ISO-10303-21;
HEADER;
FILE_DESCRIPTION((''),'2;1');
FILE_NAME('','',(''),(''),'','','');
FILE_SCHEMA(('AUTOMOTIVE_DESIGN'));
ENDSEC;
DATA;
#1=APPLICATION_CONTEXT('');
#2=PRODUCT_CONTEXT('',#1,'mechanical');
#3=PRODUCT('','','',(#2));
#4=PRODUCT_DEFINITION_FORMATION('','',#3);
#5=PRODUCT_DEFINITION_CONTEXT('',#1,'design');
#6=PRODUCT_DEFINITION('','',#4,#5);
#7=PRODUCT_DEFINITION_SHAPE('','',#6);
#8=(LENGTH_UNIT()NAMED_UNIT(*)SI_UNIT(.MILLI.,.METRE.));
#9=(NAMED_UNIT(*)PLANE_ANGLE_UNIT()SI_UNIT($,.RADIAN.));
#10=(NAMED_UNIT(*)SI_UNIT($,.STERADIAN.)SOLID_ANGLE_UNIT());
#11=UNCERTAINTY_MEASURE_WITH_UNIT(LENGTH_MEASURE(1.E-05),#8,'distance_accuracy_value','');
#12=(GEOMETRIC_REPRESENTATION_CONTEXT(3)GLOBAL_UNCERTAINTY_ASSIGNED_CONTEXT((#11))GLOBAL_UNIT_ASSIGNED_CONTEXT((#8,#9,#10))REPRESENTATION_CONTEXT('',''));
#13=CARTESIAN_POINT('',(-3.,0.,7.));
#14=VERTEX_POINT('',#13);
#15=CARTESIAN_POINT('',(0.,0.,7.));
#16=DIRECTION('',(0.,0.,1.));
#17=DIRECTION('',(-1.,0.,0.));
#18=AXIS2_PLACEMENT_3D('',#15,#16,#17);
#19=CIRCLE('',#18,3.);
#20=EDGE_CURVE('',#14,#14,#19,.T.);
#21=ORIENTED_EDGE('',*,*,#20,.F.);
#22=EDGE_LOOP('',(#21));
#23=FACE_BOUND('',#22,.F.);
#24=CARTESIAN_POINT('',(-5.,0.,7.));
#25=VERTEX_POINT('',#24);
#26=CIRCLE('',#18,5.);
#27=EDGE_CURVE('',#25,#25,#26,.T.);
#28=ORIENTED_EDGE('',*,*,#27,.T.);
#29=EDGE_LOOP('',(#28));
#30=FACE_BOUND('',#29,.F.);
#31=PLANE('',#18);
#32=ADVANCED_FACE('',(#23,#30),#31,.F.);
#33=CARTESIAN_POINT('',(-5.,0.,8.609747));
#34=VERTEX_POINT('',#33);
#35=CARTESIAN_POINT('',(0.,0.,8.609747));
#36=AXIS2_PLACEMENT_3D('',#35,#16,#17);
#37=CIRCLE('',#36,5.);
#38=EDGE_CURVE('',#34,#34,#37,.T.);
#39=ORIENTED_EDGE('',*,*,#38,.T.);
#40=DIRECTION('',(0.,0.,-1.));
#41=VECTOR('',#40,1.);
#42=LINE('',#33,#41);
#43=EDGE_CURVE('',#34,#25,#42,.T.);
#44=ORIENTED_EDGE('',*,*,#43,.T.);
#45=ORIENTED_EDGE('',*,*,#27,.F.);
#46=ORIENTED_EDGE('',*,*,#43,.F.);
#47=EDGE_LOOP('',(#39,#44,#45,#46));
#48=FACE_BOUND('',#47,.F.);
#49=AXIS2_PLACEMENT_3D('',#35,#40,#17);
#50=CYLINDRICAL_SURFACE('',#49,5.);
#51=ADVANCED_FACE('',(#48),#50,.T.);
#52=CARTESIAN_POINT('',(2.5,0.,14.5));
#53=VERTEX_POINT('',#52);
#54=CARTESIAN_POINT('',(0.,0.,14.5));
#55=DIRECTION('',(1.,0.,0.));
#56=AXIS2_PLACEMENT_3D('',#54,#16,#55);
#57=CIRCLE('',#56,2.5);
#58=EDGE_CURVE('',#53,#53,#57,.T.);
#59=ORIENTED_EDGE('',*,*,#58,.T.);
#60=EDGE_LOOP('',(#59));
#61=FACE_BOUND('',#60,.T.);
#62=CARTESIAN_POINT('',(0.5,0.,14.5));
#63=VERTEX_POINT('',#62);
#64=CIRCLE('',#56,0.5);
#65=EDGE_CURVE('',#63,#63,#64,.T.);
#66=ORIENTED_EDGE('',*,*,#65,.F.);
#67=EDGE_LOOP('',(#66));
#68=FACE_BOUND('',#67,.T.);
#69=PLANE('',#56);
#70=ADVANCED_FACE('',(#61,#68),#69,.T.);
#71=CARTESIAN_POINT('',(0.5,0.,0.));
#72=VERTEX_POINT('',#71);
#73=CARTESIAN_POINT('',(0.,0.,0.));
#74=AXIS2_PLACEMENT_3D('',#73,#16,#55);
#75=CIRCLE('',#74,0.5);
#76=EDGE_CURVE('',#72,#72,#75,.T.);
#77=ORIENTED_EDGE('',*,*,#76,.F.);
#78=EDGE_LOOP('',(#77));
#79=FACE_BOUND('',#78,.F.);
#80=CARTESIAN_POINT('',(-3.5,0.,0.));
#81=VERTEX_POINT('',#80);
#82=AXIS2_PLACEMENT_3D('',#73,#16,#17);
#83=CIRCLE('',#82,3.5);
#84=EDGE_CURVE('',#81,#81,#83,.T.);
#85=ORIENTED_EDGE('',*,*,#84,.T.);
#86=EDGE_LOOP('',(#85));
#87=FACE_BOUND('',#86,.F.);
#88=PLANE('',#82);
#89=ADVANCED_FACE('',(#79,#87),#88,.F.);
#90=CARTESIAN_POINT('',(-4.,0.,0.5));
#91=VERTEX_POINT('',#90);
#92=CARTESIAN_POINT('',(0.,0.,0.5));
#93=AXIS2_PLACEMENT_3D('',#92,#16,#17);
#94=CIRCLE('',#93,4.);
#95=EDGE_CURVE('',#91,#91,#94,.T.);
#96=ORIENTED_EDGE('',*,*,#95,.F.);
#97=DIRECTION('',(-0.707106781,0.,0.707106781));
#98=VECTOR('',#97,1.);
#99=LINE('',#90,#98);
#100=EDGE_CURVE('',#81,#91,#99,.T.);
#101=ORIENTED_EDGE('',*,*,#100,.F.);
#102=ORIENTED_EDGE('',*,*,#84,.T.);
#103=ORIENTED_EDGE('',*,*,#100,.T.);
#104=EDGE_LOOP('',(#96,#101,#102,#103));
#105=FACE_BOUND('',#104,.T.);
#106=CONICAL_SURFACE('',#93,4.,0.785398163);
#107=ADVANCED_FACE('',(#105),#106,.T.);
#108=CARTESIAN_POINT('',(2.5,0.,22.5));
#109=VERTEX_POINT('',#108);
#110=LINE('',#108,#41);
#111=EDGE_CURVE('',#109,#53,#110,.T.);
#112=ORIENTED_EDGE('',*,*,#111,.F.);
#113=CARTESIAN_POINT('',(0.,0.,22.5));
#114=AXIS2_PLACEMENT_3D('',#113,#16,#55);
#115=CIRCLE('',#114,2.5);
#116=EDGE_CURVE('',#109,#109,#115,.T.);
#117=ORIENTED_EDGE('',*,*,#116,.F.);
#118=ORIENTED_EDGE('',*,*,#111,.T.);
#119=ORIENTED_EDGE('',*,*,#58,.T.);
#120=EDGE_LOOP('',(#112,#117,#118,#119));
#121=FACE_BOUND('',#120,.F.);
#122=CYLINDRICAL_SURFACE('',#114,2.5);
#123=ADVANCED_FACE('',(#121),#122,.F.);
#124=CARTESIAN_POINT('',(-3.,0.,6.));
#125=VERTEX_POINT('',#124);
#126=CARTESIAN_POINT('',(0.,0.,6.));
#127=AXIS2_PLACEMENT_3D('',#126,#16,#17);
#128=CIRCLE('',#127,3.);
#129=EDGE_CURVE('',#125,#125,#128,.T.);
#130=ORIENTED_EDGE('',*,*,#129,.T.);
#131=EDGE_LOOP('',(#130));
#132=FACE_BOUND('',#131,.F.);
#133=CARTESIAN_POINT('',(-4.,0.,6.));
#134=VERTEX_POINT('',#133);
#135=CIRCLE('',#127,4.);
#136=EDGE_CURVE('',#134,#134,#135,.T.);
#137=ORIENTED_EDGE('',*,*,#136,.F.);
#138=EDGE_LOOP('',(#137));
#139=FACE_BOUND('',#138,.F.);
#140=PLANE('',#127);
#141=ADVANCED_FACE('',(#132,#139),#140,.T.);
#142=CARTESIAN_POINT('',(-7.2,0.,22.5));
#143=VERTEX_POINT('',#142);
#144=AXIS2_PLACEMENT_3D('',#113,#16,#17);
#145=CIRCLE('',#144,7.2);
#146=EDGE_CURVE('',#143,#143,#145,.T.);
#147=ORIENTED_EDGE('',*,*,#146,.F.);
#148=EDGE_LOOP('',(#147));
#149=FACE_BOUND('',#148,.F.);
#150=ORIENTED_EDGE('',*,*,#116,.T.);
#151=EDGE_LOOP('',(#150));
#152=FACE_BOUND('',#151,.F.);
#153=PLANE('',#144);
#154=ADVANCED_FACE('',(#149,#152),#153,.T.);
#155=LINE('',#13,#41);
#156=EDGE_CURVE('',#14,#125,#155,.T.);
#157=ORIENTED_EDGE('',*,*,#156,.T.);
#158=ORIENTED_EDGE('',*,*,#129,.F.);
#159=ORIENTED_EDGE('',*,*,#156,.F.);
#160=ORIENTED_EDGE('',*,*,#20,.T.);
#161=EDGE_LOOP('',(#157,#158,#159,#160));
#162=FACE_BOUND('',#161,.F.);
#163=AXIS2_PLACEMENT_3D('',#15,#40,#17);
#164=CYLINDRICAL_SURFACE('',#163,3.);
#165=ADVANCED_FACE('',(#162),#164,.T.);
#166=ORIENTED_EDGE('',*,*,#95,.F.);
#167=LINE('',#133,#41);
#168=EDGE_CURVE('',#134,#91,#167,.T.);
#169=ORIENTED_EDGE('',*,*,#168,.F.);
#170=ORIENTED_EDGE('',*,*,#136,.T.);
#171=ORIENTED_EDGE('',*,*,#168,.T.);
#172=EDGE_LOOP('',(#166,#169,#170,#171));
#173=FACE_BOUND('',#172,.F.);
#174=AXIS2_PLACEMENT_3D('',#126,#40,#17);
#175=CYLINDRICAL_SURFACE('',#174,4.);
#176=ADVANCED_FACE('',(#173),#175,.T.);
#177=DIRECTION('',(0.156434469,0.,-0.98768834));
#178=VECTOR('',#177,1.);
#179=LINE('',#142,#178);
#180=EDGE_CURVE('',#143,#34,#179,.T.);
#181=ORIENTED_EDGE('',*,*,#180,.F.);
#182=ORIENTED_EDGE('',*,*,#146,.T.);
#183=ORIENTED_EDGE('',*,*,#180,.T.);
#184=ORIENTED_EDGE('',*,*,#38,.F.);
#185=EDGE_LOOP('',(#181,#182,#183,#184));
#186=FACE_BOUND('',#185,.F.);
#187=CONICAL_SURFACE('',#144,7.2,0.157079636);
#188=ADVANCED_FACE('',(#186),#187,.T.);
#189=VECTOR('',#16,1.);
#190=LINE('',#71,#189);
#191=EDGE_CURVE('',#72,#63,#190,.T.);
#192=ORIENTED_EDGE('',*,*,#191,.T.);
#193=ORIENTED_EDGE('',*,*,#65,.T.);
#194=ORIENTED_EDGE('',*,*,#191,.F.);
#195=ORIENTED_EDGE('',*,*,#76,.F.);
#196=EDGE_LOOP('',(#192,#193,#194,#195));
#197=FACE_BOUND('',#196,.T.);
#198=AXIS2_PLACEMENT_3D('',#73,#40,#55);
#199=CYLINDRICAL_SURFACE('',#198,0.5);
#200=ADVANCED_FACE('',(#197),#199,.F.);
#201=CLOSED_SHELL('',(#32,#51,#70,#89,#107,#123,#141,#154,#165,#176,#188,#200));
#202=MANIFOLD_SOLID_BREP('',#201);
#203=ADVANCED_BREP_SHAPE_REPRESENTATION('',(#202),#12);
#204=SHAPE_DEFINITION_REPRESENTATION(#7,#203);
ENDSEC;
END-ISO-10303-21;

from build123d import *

# Parameters (mm, degrees)
F2_R     = 0.5
F3_DEPTH = 25
F4_R     = 2.5
F4_R_2   = 0.5
F5_DEPTH = 8
F6_SIZE  = 0.5


with BuildPart() as f1:
    # F0 (on Front) → F1 (revolve)
    with BuildSketch(Plane.XZ):
        Polygon((0, 0), (0, 22.5), (-7.2, 22.5), (-5, 8.609747), (-5, 7), (-3, 7), (-3, 6), (-4, 6), (-4, 0), align=None)
    revolve(axis=Axis((0, 0, 11.25), (0, 0, 1)))

    # F2 (on Top) → F3 (cut)
    with BuildSketch(Plane.XY):
        Circle(F2_R)
    extrude(amount=F3_DEPTH, mode=Mode.SUBTRACT)

    # F4 (on face) → F5 (cut)
    with BuildSketch(Plane.XY.offset(22.5)):
        Circle(F4_R)
        Circle(F4_R_2, mode=Mode.SUBTRACT)
    extrude(amount=-F5_DEPTH, mode=Mode.SUBTRACT)

    # F6
    f6_edges = [f1.edges().sort_by_distance(p)[0] for p in [
        (4, 0, 0),
    ]]
    chamfer(f6_edges, length=F6_SIZE)


solid = f1.part
